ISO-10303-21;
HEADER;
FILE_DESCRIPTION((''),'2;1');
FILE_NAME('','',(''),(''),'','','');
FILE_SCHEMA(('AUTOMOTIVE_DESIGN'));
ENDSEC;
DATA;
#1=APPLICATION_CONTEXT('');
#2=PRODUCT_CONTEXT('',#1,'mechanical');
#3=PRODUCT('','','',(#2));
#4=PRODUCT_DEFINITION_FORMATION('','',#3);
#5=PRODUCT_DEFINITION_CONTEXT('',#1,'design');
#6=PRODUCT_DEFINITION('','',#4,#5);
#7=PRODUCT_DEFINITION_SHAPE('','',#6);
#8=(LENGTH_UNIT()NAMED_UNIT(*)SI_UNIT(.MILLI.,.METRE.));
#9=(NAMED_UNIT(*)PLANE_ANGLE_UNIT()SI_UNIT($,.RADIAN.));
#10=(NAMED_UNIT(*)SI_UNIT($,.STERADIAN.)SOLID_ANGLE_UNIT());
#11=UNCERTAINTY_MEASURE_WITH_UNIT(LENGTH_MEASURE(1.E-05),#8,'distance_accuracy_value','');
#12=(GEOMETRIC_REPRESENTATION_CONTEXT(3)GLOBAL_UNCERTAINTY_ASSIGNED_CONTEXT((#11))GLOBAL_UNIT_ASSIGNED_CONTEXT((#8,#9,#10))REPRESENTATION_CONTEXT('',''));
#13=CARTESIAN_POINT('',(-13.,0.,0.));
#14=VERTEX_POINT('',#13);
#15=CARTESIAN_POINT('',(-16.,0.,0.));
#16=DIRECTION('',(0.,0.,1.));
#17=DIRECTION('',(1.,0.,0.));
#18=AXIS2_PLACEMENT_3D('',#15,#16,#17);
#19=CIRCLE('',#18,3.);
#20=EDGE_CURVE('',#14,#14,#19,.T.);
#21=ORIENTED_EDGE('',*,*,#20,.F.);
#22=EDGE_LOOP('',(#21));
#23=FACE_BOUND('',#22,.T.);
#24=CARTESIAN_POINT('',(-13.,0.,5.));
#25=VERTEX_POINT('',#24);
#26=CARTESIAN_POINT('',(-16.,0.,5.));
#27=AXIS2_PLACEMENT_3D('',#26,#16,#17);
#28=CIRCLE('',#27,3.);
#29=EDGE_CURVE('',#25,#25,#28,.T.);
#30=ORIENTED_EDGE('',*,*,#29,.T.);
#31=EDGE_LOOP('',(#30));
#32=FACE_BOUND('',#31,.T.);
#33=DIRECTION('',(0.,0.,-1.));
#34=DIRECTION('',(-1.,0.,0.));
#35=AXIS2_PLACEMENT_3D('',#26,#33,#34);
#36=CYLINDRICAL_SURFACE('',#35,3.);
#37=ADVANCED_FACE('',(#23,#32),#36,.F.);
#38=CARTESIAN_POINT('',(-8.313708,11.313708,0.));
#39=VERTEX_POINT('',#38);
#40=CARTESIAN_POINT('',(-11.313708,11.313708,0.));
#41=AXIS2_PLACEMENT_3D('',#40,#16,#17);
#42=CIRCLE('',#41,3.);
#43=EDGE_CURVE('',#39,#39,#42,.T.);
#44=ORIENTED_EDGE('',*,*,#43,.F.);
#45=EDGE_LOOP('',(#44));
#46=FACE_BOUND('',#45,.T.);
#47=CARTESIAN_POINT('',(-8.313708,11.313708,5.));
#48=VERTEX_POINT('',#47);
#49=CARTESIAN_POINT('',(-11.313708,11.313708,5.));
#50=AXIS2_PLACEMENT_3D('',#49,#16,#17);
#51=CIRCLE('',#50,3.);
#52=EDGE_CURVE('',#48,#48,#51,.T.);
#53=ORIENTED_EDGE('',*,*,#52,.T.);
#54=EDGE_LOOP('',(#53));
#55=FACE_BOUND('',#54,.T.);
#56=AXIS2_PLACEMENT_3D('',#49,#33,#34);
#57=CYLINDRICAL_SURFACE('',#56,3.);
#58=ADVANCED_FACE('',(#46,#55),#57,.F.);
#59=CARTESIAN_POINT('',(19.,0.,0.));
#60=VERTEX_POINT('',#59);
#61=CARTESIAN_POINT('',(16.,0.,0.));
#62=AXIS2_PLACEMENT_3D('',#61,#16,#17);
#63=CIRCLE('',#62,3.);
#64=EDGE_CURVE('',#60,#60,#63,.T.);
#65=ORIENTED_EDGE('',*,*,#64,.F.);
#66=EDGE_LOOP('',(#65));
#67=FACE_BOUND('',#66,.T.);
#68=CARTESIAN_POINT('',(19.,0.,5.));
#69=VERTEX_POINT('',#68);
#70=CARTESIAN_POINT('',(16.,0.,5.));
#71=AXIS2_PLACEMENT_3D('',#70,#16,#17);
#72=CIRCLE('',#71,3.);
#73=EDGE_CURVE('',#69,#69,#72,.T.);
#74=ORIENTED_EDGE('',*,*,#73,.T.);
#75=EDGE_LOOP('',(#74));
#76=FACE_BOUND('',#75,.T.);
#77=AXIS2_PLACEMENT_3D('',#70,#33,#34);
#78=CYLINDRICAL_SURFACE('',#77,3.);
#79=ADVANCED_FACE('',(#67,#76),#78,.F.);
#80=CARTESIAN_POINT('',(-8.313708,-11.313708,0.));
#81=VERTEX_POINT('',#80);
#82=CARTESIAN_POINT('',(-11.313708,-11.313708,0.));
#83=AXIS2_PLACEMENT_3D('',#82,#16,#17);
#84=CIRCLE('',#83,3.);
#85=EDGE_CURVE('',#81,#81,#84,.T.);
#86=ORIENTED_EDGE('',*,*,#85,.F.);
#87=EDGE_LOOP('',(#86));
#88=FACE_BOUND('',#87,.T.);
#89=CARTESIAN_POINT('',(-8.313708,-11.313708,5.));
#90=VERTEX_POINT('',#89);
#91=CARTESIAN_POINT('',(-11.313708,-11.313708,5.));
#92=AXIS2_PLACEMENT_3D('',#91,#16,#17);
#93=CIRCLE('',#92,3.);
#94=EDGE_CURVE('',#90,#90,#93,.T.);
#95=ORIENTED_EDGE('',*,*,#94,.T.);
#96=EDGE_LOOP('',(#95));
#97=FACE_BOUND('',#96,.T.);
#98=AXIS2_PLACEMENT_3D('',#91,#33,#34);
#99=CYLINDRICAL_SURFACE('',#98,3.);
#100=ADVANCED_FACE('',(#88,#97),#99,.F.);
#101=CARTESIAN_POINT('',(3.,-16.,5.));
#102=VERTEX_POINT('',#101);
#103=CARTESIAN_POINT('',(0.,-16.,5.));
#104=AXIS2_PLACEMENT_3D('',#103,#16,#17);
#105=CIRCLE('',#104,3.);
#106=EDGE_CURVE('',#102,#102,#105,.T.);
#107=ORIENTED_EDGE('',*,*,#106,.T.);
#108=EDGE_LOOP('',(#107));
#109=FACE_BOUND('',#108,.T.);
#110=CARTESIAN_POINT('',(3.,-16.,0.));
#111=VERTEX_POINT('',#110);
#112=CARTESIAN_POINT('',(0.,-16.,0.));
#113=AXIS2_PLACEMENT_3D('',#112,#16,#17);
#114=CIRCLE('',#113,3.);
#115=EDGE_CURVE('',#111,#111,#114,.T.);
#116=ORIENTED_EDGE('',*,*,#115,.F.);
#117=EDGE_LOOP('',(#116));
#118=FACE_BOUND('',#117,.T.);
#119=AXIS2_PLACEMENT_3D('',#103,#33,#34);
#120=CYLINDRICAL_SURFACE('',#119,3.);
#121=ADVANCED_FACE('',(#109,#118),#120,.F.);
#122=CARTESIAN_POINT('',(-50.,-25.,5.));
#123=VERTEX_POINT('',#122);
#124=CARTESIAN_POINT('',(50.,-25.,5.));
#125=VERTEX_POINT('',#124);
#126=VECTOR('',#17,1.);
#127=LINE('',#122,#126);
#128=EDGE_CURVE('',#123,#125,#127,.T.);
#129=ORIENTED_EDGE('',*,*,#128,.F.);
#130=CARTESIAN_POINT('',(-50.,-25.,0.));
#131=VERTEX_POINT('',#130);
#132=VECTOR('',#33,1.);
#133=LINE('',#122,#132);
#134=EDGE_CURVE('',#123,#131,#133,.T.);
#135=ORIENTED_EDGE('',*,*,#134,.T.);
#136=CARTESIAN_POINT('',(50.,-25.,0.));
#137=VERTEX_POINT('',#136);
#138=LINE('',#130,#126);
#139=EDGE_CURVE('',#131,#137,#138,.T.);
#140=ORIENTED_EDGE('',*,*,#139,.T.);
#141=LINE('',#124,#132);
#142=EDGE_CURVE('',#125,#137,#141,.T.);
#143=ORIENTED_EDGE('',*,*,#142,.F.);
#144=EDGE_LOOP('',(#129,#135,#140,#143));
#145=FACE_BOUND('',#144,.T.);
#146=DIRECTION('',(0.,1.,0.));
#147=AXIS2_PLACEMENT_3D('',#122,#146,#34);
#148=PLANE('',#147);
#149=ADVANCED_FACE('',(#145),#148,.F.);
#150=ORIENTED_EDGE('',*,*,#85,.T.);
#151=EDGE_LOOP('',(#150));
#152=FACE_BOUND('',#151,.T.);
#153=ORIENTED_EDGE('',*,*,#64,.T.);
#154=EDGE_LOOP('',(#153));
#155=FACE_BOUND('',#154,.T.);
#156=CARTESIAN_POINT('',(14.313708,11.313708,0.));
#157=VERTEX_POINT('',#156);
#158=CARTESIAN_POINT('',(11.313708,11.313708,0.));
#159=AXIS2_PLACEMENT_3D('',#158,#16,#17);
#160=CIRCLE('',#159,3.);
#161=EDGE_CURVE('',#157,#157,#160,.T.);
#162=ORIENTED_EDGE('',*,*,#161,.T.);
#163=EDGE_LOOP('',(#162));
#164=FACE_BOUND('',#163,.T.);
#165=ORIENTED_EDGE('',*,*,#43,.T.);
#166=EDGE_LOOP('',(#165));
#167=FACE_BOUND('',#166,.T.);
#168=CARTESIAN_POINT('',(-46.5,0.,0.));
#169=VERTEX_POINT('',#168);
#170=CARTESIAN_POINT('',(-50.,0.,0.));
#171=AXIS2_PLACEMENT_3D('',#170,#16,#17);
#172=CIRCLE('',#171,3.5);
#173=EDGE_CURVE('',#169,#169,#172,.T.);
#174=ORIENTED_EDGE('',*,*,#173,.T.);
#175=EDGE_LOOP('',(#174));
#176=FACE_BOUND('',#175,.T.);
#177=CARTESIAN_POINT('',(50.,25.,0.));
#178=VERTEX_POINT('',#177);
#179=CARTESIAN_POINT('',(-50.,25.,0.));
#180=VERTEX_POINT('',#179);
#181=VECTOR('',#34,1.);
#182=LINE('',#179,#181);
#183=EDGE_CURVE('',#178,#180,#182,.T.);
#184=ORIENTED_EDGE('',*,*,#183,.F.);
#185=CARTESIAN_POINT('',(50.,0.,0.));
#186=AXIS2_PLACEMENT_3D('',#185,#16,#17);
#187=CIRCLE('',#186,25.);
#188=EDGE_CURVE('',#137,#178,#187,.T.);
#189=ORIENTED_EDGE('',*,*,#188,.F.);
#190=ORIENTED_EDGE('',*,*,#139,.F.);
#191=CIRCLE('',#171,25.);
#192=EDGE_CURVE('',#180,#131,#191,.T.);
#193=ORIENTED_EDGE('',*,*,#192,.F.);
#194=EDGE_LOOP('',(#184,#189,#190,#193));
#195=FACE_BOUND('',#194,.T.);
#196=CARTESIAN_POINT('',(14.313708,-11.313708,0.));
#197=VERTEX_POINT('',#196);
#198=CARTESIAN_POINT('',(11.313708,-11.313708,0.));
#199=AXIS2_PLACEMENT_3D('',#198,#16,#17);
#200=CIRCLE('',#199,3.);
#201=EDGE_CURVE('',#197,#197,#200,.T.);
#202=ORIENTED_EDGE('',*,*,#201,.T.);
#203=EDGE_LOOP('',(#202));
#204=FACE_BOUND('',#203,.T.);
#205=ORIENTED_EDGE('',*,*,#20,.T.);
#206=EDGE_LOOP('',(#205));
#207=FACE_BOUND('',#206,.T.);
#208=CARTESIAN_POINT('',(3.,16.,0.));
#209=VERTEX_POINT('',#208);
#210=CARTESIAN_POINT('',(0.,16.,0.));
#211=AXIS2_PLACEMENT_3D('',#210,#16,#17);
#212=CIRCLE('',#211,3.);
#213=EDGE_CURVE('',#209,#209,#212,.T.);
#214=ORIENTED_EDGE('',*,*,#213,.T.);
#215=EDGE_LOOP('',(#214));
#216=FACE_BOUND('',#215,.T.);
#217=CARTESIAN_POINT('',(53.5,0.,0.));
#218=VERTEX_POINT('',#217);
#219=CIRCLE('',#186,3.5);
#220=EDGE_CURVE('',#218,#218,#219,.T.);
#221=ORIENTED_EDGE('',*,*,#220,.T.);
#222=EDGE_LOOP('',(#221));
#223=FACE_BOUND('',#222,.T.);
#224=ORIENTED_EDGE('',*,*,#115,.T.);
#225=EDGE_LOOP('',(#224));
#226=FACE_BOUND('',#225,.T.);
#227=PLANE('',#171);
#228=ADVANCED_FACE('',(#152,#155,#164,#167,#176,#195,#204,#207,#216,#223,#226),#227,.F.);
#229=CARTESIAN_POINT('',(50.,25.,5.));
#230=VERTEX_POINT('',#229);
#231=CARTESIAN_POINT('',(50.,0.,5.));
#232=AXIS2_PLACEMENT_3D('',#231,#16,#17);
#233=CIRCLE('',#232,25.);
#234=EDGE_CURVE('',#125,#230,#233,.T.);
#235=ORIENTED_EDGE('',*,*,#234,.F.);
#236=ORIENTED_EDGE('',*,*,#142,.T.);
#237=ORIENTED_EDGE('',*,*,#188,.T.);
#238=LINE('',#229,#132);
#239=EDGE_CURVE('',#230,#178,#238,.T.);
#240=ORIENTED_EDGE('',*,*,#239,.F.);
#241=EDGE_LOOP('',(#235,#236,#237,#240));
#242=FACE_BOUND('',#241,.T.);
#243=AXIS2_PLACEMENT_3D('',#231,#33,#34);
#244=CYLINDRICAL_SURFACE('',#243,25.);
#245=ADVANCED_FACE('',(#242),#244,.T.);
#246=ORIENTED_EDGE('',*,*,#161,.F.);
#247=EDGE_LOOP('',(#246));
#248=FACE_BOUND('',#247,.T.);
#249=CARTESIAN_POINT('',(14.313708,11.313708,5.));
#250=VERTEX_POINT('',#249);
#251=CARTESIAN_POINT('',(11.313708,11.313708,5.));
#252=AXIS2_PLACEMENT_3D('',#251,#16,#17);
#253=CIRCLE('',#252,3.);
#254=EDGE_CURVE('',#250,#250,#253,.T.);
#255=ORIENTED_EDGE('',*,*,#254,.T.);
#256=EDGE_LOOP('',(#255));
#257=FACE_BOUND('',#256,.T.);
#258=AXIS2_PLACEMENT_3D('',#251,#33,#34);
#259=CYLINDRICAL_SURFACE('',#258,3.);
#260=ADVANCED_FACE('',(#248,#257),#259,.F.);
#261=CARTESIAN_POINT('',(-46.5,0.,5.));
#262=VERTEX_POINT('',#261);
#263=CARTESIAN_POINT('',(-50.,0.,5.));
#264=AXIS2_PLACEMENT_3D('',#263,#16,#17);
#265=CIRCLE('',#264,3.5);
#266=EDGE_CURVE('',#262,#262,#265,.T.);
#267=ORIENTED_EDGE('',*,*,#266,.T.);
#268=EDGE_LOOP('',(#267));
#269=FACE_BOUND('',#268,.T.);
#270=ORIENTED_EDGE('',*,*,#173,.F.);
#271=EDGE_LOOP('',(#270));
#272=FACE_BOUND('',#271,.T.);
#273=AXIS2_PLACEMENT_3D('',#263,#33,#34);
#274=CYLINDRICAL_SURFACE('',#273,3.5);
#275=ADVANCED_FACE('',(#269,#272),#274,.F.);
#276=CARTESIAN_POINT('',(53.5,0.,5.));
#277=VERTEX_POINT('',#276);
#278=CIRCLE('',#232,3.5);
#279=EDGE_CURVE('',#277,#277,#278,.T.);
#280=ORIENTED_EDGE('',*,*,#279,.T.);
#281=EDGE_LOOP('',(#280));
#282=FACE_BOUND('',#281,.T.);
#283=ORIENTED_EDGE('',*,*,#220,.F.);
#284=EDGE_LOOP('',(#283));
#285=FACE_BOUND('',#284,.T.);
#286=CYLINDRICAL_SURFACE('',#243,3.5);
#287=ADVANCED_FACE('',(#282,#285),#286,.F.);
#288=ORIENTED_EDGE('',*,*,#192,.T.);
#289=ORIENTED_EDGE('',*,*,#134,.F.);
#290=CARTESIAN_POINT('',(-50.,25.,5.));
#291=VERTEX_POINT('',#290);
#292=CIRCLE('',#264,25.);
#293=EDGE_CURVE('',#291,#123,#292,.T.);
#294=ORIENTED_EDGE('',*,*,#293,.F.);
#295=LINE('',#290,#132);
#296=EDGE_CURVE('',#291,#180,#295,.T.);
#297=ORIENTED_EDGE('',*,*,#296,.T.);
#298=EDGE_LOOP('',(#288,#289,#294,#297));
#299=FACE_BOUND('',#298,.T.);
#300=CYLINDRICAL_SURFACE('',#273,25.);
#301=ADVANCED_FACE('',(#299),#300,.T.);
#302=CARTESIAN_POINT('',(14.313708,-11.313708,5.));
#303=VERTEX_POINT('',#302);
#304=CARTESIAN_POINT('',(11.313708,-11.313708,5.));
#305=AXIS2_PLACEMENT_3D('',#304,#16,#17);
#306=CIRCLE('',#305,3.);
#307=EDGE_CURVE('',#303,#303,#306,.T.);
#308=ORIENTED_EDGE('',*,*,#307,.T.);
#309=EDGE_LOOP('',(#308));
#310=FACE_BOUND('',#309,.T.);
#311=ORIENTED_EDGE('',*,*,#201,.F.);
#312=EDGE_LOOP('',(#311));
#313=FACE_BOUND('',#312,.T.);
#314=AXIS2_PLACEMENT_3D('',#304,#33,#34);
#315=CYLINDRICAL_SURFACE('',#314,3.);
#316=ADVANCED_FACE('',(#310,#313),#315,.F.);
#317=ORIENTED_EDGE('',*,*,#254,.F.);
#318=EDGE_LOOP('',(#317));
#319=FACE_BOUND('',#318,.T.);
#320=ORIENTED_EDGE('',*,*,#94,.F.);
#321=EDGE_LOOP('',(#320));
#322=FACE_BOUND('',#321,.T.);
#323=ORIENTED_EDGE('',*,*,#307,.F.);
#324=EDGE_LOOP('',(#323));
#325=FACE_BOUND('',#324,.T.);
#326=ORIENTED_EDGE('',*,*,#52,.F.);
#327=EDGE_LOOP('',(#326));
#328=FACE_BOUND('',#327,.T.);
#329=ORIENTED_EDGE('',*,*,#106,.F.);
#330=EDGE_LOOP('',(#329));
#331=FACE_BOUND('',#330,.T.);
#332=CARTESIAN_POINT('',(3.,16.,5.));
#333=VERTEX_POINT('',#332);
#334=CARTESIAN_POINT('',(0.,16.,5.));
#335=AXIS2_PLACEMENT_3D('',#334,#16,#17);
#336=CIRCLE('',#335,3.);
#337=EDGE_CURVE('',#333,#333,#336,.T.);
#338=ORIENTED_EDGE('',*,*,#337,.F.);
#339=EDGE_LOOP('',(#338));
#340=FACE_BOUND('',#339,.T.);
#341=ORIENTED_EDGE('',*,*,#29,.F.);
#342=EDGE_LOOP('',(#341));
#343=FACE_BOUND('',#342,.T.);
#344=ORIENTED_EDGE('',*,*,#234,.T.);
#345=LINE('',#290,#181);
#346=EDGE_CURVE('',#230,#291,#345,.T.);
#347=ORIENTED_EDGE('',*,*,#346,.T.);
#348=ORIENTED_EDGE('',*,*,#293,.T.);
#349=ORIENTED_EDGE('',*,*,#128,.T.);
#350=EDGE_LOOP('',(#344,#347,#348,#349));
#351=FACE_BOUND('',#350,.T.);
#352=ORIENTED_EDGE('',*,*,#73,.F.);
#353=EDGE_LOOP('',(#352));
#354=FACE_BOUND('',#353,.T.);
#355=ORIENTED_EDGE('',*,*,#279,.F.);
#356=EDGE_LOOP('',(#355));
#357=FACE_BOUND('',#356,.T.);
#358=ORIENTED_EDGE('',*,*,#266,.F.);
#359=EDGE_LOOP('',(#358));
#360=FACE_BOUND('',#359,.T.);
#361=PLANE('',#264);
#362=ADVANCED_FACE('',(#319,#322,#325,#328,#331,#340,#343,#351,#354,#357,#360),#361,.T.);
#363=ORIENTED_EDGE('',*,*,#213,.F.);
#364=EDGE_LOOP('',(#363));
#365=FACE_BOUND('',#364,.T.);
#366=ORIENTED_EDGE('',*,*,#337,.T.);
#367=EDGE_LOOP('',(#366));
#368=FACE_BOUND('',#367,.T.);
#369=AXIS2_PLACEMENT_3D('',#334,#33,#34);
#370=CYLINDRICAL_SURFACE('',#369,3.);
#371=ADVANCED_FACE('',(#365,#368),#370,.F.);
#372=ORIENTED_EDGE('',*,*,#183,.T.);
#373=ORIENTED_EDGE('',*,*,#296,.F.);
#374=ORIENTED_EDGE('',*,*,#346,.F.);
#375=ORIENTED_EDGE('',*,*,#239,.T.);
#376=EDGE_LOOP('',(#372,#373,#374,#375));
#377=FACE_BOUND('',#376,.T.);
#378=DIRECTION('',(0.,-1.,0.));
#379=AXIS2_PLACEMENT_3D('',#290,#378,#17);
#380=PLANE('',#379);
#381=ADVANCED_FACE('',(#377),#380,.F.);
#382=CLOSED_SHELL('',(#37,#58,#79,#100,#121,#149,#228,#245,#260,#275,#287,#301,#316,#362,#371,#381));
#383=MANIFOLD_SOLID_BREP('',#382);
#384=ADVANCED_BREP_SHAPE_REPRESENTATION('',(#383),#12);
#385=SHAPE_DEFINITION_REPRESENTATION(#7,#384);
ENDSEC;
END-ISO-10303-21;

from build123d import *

# Parameters (mm, degrees)
SKETCH_1_R      = 3
SKETCH_1_R_2    = 3.5
EXTRUDE_1_DEPTH = 5


with BuildPart() as part:
    # 草图1 → 凸台-拉伸1 (new body)
    with BuildSketch(Plane.XY):
        with BuildLine():
            Line((-50, 25), (50, 25))
            ThreePointArc((50, 25), (75, 0), (50, -25))
            Line((50, -25), (-50, -25))
            ThreePointArc((-50, -25), (-75, 0), (-50, 25))
        make_face()
        with Locations((16, 0)):
            Circle(SKETCH_1_R, mode=Mode.SUBTRACT)
        with Locations((11.313708499, -11.313708499)):
            Circle(SKETCH_1_R, mode=Mode.SUBTRACT)
        with Locations((0, -16)):
            Circle(SKETCH_1_R, mode=Mode.SUBTRACT)
        with Locations((-11.313708499, -11.313708499)):
            Circle(SKETCH_1_R, mode=Mode.SUBTRACT)
        with Locations((-16, 0)):
            Circle(SKETCH_1_R, mode=Mode.SUBTRACT)
        with Locations((-11.313708499, 11.313708499)):
            Circle(SKETCH_1_R, mode=Mode.SUBTRACT)
        with Locations((0, 16)):
            Circle(SKETCH_1_R, mode=Mode.SUBTRACT)
        with Locations((11.313708499, 11.313708499)):
            Circle(SKETCH_1_R, mode=Mode.SUBTRACT)
        with Locations((-50, 0)):
            Circle(SKETCH_1_R_2, mode=Mode.SUBTRACT)
        with Locations((50, 0)):
            Circle(SKETCH_1_R_2, mode=Mode.SUBTRACT)
    extrude(amount=EXTRUDE_1_DEPTH)


solid = part.part
